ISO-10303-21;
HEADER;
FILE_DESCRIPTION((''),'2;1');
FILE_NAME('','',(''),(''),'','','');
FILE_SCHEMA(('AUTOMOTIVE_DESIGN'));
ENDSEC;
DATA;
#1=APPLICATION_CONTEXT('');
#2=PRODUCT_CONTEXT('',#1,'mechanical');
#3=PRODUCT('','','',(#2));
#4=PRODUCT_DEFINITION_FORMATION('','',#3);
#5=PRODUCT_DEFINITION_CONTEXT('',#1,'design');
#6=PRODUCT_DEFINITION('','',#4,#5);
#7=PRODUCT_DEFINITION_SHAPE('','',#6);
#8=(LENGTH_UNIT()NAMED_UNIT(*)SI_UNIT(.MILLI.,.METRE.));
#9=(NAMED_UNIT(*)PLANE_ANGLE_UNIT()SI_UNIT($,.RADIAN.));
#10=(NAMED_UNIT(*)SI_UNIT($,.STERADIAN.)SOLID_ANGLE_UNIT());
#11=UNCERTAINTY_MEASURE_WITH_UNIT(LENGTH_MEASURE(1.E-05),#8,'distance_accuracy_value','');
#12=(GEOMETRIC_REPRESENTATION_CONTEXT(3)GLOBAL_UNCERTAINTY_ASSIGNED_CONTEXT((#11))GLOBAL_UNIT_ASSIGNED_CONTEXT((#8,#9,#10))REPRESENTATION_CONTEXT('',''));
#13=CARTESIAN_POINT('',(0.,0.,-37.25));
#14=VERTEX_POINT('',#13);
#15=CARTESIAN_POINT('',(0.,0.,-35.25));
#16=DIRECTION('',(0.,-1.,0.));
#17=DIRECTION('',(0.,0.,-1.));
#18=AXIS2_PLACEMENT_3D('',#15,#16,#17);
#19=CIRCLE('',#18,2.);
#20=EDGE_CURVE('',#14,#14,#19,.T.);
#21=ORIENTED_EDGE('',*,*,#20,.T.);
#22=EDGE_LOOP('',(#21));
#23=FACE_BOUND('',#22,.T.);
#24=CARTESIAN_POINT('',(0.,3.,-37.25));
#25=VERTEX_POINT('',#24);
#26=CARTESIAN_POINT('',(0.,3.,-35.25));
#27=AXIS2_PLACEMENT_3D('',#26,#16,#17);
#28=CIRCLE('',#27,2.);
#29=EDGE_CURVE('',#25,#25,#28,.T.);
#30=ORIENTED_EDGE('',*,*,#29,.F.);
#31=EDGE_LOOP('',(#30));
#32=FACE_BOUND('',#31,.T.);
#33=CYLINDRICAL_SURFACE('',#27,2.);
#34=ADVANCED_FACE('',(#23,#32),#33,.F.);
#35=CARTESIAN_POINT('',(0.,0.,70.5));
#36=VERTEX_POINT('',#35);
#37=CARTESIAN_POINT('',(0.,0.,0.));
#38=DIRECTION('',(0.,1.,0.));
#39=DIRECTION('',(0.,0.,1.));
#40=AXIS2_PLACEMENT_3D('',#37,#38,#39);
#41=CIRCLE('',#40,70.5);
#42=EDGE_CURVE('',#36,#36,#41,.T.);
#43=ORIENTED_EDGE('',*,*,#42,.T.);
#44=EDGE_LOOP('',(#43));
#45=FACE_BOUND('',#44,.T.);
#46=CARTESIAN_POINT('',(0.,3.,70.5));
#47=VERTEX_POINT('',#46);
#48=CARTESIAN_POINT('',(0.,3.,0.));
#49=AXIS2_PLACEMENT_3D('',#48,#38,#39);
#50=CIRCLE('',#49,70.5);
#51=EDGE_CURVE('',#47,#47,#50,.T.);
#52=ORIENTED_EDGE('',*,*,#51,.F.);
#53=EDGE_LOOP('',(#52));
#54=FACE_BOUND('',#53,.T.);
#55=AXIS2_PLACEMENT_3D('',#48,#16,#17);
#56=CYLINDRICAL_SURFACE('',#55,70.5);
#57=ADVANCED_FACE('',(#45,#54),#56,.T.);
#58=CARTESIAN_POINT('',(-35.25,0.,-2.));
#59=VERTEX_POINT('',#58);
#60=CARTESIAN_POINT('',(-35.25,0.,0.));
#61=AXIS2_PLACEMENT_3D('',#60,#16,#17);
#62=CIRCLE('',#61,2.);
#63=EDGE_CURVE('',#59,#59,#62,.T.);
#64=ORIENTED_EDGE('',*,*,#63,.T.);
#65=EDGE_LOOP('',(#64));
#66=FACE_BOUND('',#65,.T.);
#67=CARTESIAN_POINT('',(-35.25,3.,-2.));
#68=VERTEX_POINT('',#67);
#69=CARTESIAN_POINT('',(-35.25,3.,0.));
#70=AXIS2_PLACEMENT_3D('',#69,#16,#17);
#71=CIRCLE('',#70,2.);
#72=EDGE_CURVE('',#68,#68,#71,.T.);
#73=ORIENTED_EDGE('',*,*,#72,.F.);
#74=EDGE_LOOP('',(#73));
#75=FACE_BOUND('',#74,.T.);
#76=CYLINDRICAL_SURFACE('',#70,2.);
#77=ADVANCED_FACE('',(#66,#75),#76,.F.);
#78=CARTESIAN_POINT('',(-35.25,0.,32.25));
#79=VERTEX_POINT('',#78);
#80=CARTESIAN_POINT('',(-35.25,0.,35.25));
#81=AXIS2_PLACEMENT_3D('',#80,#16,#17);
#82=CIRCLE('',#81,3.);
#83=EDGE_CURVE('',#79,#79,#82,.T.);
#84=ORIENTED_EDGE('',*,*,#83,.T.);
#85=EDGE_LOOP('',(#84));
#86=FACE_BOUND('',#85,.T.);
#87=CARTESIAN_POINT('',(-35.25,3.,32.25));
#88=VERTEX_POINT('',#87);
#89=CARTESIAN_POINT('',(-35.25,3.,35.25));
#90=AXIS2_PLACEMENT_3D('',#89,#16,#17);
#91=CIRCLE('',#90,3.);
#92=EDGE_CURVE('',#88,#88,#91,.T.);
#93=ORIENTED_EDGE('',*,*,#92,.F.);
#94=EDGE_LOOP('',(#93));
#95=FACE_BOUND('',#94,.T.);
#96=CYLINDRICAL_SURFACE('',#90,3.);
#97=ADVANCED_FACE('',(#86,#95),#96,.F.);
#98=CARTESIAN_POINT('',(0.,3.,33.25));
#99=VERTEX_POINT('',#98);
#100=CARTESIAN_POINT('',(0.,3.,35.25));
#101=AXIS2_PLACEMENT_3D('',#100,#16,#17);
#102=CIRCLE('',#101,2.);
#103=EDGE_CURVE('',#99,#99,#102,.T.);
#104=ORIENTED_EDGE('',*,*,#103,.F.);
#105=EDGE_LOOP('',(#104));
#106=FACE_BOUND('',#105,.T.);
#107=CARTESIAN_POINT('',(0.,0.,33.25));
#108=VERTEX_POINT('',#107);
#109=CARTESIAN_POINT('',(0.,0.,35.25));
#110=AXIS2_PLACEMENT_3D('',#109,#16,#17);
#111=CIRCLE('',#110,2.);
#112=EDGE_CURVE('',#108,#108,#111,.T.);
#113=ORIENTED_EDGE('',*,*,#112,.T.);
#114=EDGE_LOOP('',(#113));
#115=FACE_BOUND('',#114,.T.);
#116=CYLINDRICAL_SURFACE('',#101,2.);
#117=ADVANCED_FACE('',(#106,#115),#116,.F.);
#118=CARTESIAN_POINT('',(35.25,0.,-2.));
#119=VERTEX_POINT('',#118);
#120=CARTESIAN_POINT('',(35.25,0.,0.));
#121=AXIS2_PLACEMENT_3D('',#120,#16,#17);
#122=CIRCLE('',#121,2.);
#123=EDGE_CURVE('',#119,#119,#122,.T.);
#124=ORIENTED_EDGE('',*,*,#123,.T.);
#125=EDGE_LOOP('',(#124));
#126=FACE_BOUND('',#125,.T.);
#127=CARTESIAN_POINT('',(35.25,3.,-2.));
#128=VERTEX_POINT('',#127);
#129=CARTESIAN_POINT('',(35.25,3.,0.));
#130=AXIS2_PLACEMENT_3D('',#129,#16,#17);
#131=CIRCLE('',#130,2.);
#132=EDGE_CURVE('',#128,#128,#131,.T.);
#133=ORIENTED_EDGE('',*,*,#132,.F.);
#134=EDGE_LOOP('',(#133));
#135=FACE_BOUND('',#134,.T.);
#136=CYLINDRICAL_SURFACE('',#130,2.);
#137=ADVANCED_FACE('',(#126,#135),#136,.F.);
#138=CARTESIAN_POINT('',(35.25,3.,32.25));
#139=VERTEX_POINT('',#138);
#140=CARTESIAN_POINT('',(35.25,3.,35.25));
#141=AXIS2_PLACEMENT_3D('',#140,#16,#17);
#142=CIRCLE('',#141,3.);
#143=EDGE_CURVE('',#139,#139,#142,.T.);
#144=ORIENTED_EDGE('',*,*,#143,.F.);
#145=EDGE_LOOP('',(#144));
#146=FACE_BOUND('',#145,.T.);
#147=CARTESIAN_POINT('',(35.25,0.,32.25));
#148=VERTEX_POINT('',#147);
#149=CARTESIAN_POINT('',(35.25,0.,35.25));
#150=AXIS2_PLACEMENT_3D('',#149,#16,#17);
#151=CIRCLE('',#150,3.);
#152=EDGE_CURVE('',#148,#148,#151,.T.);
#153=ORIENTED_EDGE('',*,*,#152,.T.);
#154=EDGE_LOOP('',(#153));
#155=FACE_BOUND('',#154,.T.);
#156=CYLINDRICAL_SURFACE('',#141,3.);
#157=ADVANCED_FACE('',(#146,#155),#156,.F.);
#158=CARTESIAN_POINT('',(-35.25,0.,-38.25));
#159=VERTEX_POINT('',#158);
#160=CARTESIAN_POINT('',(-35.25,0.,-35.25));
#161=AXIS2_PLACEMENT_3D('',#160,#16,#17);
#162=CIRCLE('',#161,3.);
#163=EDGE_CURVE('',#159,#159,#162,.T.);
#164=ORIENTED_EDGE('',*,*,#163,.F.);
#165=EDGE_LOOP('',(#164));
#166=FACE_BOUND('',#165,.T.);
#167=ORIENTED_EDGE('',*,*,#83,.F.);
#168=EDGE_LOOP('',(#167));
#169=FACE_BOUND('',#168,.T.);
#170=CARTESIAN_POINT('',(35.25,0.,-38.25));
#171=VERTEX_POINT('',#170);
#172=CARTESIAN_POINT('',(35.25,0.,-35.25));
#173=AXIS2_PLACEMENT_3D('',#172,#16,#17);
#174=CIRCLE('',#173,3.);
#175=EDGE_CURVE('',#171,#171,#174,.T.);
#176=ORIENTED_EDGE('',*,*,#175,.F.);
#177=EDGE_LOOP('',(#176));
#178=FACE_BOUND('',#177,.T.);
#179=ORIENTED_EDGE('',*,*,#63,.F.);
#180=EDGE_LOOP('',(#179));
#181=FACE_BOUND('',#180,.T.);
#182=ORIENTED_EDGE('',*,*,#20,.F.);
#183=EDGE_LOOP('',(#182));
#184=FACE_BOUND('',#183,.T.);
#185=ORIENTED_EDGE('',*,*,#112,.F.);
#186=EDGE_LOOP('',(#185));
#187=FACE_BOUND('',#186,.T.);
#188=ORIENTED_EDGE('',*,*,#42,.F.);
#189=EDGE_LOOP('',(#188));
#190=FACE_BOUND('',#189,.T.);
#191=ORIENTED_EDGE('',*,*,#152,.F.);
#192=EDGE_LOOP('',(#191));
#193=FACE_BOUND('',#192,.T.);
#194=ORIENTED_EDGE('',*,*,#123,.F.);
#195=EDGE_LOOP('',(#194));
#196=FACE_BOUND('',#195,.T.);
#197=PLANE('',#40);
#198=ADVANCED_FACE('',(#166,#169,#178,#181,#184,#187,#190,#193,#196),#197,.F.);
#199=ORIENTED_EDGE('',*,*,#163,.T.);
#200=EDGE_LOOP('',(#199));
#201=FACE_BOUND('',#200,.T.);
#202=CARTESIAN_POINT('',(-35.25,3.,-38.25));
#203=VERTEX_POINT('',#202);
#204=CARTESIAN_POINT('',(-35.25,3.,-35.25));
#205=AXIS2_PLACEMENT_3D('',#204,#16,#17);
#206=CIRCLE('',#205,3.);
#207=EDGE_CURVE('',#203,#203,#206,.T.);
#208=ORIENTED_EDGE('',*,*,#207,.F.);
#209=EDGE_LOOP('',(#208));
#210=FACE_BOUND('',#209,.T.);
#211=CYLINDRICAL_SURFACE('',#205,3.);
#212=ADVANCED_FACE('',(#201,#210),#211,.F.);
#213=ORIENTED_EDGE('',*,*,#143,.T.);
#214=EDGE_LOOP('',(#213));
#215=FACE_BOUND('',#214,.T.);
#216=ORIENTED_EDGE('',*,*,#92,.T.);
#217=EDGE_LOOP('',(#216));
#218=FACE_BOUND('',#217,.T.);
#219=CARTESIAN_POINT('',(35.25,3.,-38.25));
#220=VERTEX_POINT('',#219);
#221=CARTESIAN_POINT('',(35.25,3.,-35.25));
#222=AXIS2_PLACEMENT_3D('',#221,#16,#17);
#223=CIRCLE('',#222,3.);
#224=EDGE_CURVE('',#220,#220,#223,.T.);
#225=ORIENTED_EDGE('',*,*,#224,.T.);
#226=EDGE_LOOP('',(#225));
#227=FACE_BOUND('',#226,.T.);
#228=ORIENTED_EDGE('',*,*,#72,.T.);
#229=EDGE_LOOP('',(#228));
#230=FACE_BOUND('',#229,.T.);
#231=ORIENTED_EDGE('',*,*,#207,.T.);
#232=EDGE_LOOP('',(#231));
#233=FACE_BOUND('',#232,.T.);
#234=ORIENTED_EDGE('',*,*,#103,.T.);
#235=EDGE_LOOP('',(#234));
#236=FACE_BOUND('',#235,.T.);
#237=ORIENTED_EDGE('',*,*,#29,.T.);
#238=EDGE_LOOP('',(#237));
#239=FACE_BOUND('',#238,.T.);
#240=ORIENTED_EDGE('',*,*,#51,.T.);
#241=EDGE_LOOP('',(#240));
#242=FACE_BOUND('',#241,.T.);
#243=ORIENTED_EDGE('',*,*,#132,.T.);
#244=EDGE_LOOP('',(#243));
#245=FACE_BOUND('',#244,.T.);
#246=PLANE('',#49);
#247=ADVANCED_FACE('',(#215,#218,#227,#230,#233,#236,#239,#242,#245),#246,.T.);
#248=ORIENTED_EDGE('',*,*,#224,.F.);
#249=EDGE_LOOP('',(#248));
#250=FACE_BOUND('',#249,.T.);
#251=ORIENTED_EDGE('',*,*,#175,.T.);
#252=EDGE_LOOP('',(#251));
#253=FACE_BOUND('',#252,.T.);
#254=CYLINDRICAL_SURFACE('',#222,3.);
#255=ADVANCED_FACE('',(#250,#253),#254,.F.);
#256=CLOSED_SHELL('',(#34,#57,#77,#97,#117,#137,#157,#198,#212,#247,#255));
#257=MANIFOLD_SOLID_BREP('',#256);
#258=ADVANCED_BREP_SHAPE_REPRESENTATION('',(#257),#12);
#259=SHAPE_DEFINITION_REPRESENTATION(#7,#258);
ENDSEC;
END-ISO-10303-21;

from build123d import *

# Parameters (mm, degrees)
BASE_CIRCLE_R               = 70.5
BASE_CIRCLE_THICKNESS_DEPTH = 3
SCREW_HOLES_R               = 2
SCREW_HOLES_R_2             = 3
BASE_SCREW_DRILLS_DEPTH     = 3


with BuildPart() as part:
    # Base circle → Base circle thickness (new body)
    with BuildSketch(Plane(origin=(0, 0, 0), x_dir=(1, 0, 0), z_dir=(0, 1, 0))):
        with Locations(Location((0, 0, 0), (0, 0, 270))):
            Circle(BASE_CIRCLE_R)
    extrude(amount=BASE_CIRCLE_THICKNESS_DEPTH)

    # Screw holes → Base screw drills (cut)
    with BuildSketch(Plane(origin=(0, 0, 0), x_dir=(-1, 0, 0), z_dir=(0, -1, 0))):
        with Locations(Location((35.25, 0, 0), (0, 0, 90))):
            Circle(SCREW_HOLES_R)
        with Locations(Location((0, 35.25, 0), (0, 0, 90))):
            Circle(SCREW_HOLES_R)
        with Locations(Location((-35.25, 0, 0), (0, 0, 90))):
            Circle(SCREW_HOLES_R)
        with Locations(Location((0, -35.25, 0), (0, 0, 90))):
            Circle(SCREW_HOLES_R)
        with Locations(Location((35.25, 35.25, 0), (0, 0, 90))):
            Circle(SCREW_HOLES_R_2)
        with Locations(Location((35.25, -35.25, 0), (0, 0, 90))):
            Circle(SCREW_HOLES_R_2)
        with Locations(Location((-35.25, -35.25, 0), (0, 0, 90))):
            Circle(SCREW_HOLES_R_2)
        with Locations(Location((-35.25, 35.25, 0), (0, 0, 90))):
            Circle(SCREW_HOLES_R_2)
    extrude(amount=-BASE_SCREW_DRILLS_DEPTH, mode=Mode.SUBTRACT)


solid = part.part
